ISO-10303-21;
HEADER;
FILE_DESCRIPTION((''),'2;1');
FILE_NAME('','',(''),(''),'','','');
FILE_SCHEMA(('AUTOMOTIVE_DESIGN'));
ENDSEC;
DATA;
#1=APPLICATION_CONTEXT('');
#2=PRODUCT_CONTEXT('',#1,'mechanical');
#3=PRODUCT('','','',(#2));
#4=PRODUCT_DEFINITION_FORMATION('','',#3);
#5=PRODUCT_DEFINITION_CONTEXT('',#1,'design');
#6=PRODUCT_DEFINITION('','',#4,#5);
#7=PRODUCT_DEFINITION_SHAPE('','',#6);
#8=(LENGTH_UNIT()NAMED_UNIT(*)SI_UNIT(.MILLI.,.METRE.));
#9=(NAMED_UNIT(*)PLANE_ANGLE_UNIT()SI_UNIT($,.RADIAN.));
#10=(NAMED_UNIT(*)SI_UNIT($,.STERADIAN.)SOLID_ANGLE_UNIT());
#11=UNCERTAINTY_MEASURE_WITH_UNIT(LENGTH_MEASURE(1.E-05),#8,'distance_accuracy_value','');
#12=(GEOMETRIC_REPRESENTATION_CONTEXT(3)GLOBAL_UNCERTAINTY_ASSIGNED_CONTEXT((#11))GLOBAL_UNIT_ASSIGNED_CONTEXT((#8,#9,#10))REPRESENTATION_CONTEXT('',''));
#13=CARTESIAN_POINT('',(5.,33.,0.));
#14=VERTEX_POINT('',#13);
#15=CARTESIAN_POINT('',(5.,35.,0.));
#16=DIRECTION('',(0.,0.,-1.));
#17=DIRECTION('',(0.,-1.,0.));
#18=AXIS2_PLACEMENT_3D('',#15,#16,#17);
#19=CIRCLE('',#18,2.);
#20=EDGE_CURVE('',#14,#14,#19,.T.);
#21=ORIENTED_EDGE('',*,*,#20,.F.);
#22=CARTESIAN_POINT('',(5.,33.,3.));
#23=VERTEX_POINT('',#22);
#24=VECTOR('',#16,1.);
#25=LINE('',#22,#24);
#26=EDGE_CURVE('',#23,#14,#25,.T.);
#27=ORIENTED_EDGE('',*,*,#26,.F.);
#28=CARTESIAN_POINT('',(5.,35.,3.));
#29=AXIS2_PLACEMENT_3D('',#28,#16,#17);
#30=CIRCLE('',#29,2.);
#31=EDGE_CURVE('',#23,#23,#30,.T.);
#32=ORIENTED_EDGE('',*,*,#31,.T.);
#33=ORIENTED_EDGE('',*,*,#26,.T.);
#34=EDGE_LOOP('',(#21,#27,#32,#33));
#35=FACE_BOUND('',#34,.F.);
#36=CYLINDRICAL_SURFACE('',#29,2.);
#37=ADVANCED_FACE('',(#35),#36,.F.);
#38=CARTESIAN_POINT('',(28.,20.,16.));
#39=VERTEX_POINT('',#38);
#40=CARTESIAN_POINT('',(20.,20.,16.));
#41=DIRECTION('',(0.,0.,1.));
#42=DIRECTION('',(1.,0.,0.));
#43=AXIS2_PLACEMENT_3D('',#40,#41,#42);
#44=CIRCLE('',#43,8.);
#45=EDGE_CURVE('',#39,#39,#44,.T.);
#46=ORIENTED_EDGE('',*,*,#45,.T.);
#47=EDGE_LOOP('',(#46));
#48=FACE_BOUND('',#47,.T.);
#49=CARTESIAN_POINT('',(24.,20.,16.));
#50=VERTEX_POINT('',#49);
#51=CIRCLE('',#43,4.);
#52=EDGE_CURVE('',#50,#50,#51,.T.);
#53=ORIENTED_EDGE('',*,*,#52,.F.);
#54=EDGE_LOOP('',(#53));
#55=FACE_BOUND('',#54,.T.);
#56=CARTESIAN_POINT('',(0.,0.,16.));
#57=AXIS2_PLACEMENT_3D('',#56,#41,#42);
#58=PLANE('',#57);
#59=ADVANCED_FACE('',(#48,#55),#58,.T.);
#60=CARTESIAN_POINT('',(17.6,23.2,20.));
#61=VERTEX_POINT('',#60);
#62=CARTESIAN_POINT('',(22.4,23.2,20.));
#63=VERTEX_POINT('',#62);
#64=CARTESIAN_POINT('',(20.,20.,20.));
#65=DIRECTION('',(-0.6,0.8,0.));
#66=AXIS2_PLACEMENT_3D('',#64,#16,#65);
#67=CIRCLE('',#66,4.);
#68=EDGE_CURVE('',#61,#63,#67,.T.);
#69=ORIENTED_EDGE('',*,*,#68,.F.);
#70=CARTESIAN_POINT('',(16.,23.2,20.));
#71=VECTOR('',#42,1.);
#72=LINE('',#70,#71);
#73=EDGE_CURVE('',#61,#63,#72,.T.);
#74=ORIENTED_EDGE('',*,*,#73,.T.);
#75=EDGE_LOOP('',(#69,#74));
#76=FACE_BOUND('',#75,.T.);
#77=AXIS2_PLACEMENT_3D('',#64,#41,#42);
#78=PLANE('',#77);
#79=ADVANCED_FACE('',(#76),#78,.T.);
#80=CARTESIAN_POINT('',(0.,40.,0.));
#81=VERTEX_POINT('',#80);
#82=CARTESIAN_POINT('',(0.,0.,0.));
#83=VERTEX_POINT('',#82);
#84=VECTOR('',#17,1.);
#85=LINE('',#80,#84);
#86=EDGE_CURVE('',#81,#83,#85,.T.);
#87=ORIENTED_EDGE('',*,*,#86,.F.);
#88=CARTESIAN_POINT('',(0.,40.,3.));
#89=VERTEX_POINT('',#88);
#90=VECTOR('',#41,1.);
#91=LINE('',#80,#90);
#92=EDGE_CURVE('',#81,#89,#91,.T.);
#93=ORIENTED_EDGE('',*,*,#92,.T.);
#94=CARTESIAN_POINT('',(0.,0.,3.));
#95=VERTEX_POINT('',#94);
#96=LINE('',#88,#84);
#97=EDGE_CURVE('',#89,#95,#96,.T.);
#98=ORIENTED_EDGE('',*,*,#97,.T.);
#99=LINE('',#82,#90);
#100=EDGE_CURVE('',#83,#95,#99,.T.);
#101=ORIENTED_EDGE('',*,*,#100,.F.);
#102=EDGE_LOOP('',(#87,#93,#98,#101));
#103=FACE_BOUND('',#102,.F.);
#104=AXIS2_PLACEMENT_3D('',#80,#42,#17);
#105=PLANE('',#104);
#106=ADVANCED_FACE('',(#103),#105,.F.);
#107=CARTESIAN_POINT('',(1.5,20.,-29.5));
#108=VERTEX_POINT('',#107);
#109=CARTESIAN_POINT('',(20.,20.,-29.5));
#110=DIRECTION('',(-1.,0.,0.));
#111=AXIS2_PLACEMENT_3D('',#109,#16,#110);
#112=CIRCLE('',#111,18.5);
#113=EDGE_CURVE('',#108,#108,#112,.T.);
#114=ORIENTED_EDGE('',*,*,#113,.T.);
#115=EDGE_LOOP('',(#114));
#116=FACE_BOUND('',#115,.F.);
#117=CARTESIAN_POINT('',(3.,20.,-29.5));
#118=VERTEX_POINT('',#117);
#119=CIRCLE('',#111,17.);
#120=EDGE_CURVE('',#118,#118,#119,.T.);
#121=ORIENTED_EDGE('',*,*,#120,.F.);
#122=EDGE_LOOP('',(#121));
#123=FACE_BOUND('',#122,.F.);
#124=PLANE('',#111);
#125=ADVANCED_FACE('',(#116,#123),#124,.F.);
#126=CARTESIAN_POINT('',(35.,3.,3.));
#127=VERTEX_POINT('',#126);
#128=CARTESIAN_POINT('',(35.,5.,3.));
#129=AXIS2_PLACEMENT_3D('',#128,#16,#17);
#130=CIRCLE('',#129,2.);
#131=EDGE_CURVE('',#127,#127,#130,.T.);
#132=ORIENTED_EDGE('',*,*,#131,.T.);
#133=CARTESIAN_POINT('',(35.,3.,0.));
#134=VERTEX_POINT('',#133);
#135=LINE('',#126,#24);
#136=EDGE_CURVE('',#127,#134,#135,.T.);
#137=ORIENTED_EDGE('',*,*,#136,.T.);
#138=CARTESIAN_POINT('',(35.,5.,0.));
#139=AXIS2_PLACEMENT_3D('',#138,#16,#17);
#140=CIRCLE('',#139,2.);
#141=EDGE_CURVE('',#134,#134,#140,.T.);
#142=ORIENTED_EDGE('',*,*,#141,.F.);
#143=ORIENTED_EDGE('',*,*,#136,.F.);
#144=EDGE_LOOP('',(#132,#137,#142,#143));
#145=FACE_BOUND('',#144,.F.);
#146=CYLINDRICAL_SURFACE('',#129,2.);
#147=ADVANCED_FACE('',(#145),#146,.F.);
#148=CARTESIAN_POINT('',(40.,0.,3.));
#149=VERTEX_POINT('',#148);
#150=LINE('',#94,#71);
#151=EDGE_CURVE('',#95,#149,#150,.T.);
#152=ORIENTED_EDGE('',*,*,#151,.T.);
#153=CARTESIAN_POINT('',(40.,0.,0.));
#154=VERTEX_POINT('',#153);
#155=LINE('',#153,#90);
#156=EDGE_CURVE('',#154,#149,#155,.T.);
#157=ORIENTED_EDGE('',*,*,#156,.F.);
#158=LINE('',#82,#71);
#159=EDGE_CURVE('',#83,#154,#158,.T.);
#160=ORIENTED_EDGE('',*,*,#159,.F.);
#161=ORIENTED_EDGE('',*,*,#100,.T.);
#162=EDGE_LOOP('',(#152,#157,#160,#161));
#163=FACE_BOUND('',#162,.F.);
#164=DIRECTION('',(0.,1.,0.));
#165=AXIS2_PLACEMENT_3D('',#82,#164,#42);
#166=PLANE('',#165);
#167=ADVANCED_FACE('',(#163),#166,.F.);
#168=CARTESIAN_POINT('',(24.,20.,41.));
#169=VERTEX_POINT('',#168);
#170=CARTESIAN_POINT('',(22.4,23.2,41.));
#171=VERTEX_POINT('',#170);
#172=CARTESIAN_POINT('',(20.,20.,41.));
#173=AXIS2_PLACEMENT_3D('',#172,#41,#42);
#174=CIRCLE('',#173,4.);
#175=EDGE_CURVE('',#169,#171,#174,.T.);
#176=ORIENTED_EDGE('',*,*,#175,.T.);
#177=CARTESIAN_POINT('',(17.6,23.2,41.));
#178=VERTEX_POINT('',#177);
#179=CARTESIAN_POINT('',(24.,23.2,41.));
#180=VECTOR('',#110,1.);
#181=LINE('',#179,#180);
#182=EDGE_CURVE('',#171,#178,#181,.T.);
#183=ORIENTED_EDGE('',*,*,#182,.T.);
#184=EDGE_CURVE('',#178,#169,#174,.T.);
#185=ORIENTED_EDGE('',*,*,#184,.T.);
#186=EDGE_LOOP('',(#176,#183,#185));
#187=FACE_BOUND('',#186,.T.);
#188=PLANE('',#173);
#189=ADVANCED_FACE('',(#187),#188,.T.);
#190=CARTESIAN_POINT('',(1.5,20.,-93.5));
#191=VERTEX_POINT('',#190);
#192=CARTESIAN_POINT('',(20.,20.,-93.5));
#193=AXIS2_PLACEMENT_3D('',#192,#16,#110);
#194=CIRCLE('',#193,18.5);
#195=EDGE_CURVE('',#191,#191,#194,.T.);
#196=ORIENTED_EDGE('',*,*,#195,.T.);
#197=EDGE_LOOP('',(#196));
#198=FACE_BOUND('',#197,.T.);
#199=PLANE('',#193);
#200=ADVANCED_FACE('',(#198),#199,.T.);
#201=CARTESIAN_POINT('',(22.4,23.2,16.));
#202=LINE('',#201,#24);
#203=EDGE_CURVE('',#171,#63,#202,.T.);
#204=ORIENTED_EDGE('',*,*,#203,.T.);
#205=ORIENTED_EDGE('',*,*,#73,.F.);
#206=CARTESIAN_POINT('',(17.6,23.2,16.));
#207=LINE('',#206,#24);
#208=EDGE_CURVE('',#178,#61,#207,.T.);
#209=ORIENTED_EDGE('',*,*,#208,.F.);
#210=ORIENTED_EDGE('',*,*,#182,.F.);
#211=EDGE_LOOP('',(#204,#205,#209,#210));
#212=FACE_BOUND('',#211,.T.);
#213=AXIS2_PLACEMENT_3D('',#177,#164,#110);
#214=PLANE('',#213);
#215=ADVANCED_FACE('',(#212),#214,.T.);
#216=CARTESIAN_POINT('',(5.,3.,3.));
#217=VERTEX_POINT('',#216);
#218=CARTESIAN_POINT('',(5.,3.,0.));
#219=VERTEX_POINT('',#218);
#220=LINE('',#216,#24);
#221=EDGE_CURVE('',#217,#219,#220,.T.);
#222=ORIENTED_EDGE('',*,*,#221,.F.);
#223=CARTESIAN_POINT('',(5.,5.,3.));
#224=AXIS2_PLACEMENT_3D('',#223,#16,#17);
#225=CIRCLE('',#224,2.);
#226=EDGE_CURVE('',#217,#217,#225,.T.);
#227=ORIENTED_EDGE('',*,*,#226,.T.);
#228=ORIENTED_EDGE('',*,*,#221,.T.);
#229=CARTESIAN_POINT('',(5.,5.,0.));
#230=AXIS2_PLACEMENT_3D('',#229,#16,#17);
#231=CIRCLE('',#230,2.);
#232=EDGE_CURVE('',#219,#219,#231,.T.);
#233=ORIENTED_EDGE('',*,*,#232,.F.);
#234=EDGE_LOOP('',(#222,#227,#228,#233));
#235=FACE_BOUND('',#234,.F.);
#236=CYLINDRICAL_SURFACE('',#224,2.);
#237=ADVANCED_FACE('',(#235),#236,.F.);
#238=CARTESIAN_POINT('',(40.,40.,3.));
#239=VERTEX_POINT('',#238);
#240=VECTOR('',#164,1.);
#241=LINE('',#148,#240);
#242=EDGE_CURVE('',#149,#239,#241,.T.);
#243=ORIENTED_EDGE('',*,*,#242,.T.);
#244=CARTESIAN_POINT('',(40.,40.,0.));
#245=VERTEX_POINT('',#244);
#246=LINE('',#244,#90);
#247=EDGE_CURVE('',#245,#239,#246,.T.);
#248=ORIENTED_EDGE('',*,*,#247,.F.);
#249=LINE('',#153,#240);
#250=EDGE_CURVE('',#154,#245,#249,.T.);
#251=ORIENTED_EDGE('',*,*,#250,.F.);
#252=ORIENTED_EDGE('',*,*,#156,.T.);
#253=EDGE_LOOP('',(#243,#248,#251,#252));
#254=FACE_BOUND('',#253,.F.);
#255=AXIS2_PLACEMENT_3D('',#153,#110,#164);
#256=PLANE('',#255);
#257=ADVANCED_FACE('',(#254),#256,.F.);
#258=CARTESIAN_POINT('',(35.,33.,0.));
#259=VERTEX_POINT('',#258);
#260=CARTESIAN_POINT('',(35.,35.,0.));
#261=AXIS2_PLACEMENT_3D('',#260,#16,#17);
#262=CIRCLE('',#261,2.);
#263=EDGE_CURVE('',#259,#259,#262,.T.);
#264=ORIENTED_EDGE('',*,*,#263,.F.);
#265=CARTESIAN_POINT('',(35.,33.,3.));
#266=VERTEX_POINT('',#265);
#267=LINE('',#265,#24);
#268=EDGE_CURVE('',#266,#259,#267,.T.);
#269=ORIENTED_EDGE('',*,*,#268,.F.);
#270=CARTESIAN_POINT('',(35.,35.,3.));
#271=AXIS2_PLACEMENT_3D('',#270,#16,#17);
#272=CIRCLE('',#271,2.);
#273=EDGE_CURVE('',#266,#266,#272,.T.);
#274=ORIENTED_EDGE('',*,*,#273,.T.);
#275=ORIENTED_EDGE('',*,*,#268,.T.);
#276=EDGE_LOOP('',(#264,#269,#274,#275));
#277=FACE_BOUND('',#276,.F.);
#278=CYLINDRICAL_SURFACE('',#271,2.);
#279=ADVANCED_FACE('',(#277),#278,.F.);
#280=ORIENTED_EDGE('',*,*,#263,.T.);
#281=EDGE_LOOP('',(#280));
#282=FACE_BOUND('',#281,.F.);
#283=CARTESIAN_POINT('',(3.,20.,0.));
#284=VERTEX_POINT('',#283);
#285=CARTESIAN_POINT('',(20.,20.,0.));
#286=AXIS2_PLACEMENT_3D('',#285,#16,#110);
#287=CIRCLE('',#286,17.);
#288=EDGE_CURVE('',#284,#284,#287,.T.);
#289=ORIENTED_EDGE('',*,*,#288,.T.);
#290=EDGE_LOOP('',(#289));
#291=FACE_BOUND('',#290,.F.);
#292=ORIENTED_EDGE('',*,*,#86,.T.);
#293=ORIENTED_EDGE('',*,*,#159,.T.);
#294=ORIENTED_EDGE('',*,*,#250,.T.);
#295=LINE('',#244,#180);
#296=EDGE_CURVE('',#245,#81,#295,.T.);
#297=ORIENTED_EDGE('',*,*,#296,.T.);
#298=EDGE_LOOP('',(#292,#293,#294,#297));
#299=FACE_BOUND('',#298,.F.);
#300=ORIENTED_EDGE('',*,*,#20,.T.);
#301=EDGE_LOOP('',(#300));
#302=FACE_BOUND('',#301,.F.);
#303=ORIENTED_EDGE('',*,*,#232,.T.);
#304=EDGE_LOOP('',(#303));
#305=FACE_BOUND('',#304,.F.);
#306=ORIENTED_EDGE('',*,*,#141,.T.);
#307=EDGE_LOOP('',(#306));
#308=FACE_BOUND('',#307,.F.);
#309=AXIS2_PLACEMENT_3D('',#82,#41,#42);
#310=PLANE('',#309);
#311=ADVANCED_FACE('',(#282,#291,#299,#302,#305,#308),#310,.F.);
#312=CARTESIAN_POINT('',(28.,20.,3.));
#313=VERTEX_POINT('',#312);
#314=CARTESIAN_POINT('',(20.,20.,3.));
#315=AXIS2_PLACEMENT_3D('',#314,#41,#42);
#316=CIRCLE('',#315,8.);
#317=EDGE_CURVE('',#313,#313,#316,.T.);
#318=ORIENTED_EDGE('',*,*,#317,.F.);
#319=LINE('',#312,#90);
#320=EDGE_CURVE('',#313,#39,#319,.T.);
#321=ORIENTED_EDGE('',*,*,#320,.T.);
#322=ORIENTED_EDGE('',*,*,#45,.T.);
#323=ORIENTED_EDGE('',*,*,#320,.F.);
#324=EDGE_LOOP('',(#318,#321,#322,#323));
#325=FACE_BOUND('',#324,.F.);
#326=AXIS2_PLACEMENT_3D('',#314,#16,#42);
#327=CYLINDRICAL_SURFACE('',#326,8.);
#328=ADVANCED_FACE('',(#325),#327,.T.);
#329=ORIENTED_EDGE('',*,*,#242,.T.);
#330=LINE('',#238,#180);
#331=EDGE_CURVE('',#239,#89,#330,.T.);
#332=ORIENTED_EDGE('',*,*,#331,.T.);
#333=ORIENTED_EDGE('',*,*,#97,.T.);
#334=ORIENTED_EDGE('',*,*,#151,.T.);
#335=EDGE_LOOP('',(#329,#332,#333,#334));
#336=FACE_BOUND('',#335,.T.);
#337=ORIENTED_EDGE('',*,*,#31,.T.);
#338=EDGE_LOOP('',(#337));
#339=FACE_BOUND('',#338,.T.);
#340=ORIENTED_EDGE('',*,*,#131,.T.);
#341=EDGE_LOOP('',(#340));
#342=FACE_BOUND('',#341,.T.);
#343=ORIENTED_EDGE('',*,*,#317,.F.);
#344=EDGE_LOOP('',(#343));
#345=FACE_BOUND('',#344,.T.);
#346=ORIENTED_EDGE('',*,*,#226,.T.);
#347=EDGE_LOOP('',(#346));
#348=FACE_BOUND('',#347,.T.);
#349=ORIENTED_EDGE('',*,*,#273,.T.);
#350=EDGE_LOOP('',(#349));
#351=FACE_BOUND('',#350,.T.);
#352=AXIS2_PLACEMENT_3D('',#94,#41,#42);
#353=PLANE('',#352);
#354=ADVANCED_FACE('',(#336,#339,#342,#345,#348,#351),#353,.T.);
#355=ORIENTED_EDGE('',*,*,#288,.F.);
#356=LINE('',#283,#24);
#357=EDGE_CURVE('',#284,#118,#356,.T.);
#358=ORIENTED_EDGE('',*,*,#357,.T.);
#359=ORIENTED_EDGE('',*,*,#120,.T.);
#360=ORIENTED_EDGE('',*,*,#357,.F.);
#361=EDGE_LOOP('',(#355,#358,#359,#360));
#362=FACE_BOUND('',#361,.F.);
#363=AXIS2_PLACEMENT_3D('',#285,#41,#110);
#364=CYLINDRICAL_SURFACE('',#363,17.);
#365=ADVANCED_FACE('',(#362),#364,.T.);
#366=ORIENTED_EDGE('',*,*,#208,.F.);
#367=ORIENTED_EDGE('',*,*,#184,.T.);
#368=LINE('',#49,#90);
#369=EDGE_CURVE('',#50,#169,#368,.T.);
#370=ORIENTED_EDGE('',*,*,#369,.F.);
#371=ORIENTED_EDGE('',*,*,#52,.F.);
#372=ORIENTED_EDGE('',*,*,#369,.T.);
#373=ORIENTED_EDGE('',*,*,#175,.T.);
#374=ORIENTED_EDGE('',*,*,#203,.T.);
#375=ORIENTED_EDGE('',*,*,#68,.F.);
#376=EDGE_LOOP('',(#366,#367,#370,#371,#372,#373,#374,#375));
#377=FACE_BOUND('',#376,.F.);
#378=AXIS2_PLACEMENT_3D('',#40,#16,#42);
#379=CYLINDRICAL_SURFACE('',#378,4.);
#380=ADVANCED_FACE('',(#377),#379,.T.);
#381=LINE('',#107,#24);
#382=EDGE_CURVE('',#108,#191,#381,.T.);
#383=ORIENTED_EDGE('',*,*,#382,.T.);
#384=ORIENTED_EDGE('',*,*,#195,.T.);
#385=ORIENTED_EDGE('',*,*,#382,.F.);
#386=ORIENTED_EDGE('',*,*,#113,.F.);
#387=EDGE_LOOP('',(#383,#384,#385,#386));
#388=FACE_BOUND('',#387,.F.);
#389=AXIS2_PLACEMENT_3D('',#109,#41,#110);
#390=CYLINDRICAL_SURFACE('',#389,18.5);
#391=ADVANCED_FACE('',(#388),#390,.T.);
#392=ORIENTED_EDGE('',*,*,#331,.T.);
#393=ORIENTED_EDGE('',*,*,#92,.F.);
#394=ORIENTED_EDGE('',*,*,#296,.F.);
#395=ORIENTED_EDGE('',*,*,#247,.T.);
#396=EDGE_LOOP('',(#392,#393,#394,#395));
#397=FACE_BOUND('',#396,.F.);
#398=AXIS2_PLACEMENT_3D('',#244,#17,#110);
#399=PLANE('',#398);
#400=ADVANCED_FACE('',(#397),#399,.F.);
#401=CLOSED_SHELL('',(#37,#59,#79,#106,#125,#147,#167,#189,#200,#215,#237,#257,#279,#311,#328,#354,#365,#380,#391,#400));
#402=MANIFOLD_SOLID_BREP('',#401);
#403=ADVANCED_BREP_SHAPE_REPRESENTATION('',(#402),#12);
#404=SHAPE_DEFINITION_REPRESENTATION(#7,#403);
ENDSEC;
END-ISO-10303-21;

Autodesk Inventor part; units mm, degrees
ref_plane "YZ Plane" through (0, 0, 0) normal (1, 0, 0) x (0, 1, 0)
ref_plane "XZ Plane" through (0, 0, 0) normal (0, 1, 0) x (-1, 0, 0)
ref_plane "XY Plane" through (0, 0, 0) normal (0, 0, 1) x (1, 0, 0)
sketch "Sketch1" plane through (0, 0, 0) normal (0, 0, 1) x (1, 0, 0)
  line L0 (0, 0) -> (40, 0)
  line L1 (40, 0) -> (40, 40)
  line L2 (40, 40) -> (0, 40)
  line L3 (0, 40) -> (0, 0)
  dimension "d0" = 40
  dimension "d1" = 40
extrude "Extrusion1" add sketch "Sketch1" along normal blind 3
sketch "Sketch2" plane through (0, 0, 3) normal (0, 0, 1) x (1, 0, 0)
  line L0 (40, 0) -> (0, 0) projected
  line L1 (40, 40) -> (40, 0) projected
  line L2 (35, 5) -> (5, 5)
  line L3 (5, 5) -> (5, 35)
  line L4 (5, 35) -> (35, 35)
  line L5 (35, 35) -> (35, 5)
  circle A0 centre (20, 20) radius 8
  dimension "d4" = 30
  dimension "d5" = 30
  dimension "d6" = 5
  dimension "d7" = 5
  dimension "d8" = 16
extrude "Extrusion2" add sketch "Sketch2" along normal blind 13 contours A0
sketch "Sketch3" plane through (0, 0, 3) normal (0, 0, 1) x (1, 0, 0)
  line L0 (40, 0) -> (0, 0) projected
  line L1 (40, 40) -> (40, 0) projected
  line L2 (5, 5) -> (35, 5)
  line L3 (35, 5) -> (35, 35)
  line L4 (35, 35) -> (5, 35)
  line L5 (5, 35) -> (5, 5)
  dimension "d11" = 30
  dimension "d12" = 30
  dimension "d13" = 5
  dimension "d14" = 5
hole "Hole1" at (5, 5, 3) at (35, 5, 3) at (35, 35, 3) at (5, 35, 3) direction (0, 0, -1) diameter 4 end through all
sketch "Sketch4" plane through (20, 20, 16) normal (0, 0, 1) x (1, 0, 0)
  circle A0 centre (0, 0) radius 8 projected
  circle A1 centre (0, 0) radius 4
  point P0 (-20, -20)
  dimension "d22" = 8
extrude "Extrusion3" add sketch "Sketch4" along normal blind 25 contours A1
sketch "Sketch5" plane through (20, 20, 41) normal (0, 0, 1) x (1, 0, 0)
  circle A0 centre (0, 0) radius 4 projected
  line L0 (-4, 0) -> (4, 0)
  line L1 (4, 0) -> (4, 4)
  line L2 (4, 4) -> (-4, 4)
  line L3 (-4, 4) -> (-4, 0)
  line L4 (-4, 4) -> (4, 4)
  line L5 (4, 4) -> (4, 3.2)
  line L6 (4, 3.2) -> (-4, 3.2)
  line L7 (-4, 3.2) -> (-4, 4)
  point P0 (-20, -20)
  dimension "d25" = 0.8
extrude "Extrusion4" cut sketch "Sketch5" against normal blind 21 contours L6 L3 L2 A0 | A0 L6 | A0 L2 L1 L6
sketch "Sketch6" plane through (0, 0, 0) normal (0, 0, -1) x (-1, 0, 0)
  circle A0 centre (-20, 20) radius 17
  dimension "d28" = 34
extrude "Extrusion5" add sketch "Sketch6" along normal blind 29.5
sketch "Sketch7" plane through (20, 20, -29.5) normal (0, 0, -1) x (-1, 0, 0)
  circle A0 centre (0, 0) radius 17 projected
  circle A1 centre (0, 0) radius 18.5
  point P0 (20, -20)
  dimension "d31" = 37
extrude "Extrusion6" add sketch "Sketch7" along normal blind 64 contours A0 | A1
properties part number "mr85vel 2 etapas" material "UHMW, White"
